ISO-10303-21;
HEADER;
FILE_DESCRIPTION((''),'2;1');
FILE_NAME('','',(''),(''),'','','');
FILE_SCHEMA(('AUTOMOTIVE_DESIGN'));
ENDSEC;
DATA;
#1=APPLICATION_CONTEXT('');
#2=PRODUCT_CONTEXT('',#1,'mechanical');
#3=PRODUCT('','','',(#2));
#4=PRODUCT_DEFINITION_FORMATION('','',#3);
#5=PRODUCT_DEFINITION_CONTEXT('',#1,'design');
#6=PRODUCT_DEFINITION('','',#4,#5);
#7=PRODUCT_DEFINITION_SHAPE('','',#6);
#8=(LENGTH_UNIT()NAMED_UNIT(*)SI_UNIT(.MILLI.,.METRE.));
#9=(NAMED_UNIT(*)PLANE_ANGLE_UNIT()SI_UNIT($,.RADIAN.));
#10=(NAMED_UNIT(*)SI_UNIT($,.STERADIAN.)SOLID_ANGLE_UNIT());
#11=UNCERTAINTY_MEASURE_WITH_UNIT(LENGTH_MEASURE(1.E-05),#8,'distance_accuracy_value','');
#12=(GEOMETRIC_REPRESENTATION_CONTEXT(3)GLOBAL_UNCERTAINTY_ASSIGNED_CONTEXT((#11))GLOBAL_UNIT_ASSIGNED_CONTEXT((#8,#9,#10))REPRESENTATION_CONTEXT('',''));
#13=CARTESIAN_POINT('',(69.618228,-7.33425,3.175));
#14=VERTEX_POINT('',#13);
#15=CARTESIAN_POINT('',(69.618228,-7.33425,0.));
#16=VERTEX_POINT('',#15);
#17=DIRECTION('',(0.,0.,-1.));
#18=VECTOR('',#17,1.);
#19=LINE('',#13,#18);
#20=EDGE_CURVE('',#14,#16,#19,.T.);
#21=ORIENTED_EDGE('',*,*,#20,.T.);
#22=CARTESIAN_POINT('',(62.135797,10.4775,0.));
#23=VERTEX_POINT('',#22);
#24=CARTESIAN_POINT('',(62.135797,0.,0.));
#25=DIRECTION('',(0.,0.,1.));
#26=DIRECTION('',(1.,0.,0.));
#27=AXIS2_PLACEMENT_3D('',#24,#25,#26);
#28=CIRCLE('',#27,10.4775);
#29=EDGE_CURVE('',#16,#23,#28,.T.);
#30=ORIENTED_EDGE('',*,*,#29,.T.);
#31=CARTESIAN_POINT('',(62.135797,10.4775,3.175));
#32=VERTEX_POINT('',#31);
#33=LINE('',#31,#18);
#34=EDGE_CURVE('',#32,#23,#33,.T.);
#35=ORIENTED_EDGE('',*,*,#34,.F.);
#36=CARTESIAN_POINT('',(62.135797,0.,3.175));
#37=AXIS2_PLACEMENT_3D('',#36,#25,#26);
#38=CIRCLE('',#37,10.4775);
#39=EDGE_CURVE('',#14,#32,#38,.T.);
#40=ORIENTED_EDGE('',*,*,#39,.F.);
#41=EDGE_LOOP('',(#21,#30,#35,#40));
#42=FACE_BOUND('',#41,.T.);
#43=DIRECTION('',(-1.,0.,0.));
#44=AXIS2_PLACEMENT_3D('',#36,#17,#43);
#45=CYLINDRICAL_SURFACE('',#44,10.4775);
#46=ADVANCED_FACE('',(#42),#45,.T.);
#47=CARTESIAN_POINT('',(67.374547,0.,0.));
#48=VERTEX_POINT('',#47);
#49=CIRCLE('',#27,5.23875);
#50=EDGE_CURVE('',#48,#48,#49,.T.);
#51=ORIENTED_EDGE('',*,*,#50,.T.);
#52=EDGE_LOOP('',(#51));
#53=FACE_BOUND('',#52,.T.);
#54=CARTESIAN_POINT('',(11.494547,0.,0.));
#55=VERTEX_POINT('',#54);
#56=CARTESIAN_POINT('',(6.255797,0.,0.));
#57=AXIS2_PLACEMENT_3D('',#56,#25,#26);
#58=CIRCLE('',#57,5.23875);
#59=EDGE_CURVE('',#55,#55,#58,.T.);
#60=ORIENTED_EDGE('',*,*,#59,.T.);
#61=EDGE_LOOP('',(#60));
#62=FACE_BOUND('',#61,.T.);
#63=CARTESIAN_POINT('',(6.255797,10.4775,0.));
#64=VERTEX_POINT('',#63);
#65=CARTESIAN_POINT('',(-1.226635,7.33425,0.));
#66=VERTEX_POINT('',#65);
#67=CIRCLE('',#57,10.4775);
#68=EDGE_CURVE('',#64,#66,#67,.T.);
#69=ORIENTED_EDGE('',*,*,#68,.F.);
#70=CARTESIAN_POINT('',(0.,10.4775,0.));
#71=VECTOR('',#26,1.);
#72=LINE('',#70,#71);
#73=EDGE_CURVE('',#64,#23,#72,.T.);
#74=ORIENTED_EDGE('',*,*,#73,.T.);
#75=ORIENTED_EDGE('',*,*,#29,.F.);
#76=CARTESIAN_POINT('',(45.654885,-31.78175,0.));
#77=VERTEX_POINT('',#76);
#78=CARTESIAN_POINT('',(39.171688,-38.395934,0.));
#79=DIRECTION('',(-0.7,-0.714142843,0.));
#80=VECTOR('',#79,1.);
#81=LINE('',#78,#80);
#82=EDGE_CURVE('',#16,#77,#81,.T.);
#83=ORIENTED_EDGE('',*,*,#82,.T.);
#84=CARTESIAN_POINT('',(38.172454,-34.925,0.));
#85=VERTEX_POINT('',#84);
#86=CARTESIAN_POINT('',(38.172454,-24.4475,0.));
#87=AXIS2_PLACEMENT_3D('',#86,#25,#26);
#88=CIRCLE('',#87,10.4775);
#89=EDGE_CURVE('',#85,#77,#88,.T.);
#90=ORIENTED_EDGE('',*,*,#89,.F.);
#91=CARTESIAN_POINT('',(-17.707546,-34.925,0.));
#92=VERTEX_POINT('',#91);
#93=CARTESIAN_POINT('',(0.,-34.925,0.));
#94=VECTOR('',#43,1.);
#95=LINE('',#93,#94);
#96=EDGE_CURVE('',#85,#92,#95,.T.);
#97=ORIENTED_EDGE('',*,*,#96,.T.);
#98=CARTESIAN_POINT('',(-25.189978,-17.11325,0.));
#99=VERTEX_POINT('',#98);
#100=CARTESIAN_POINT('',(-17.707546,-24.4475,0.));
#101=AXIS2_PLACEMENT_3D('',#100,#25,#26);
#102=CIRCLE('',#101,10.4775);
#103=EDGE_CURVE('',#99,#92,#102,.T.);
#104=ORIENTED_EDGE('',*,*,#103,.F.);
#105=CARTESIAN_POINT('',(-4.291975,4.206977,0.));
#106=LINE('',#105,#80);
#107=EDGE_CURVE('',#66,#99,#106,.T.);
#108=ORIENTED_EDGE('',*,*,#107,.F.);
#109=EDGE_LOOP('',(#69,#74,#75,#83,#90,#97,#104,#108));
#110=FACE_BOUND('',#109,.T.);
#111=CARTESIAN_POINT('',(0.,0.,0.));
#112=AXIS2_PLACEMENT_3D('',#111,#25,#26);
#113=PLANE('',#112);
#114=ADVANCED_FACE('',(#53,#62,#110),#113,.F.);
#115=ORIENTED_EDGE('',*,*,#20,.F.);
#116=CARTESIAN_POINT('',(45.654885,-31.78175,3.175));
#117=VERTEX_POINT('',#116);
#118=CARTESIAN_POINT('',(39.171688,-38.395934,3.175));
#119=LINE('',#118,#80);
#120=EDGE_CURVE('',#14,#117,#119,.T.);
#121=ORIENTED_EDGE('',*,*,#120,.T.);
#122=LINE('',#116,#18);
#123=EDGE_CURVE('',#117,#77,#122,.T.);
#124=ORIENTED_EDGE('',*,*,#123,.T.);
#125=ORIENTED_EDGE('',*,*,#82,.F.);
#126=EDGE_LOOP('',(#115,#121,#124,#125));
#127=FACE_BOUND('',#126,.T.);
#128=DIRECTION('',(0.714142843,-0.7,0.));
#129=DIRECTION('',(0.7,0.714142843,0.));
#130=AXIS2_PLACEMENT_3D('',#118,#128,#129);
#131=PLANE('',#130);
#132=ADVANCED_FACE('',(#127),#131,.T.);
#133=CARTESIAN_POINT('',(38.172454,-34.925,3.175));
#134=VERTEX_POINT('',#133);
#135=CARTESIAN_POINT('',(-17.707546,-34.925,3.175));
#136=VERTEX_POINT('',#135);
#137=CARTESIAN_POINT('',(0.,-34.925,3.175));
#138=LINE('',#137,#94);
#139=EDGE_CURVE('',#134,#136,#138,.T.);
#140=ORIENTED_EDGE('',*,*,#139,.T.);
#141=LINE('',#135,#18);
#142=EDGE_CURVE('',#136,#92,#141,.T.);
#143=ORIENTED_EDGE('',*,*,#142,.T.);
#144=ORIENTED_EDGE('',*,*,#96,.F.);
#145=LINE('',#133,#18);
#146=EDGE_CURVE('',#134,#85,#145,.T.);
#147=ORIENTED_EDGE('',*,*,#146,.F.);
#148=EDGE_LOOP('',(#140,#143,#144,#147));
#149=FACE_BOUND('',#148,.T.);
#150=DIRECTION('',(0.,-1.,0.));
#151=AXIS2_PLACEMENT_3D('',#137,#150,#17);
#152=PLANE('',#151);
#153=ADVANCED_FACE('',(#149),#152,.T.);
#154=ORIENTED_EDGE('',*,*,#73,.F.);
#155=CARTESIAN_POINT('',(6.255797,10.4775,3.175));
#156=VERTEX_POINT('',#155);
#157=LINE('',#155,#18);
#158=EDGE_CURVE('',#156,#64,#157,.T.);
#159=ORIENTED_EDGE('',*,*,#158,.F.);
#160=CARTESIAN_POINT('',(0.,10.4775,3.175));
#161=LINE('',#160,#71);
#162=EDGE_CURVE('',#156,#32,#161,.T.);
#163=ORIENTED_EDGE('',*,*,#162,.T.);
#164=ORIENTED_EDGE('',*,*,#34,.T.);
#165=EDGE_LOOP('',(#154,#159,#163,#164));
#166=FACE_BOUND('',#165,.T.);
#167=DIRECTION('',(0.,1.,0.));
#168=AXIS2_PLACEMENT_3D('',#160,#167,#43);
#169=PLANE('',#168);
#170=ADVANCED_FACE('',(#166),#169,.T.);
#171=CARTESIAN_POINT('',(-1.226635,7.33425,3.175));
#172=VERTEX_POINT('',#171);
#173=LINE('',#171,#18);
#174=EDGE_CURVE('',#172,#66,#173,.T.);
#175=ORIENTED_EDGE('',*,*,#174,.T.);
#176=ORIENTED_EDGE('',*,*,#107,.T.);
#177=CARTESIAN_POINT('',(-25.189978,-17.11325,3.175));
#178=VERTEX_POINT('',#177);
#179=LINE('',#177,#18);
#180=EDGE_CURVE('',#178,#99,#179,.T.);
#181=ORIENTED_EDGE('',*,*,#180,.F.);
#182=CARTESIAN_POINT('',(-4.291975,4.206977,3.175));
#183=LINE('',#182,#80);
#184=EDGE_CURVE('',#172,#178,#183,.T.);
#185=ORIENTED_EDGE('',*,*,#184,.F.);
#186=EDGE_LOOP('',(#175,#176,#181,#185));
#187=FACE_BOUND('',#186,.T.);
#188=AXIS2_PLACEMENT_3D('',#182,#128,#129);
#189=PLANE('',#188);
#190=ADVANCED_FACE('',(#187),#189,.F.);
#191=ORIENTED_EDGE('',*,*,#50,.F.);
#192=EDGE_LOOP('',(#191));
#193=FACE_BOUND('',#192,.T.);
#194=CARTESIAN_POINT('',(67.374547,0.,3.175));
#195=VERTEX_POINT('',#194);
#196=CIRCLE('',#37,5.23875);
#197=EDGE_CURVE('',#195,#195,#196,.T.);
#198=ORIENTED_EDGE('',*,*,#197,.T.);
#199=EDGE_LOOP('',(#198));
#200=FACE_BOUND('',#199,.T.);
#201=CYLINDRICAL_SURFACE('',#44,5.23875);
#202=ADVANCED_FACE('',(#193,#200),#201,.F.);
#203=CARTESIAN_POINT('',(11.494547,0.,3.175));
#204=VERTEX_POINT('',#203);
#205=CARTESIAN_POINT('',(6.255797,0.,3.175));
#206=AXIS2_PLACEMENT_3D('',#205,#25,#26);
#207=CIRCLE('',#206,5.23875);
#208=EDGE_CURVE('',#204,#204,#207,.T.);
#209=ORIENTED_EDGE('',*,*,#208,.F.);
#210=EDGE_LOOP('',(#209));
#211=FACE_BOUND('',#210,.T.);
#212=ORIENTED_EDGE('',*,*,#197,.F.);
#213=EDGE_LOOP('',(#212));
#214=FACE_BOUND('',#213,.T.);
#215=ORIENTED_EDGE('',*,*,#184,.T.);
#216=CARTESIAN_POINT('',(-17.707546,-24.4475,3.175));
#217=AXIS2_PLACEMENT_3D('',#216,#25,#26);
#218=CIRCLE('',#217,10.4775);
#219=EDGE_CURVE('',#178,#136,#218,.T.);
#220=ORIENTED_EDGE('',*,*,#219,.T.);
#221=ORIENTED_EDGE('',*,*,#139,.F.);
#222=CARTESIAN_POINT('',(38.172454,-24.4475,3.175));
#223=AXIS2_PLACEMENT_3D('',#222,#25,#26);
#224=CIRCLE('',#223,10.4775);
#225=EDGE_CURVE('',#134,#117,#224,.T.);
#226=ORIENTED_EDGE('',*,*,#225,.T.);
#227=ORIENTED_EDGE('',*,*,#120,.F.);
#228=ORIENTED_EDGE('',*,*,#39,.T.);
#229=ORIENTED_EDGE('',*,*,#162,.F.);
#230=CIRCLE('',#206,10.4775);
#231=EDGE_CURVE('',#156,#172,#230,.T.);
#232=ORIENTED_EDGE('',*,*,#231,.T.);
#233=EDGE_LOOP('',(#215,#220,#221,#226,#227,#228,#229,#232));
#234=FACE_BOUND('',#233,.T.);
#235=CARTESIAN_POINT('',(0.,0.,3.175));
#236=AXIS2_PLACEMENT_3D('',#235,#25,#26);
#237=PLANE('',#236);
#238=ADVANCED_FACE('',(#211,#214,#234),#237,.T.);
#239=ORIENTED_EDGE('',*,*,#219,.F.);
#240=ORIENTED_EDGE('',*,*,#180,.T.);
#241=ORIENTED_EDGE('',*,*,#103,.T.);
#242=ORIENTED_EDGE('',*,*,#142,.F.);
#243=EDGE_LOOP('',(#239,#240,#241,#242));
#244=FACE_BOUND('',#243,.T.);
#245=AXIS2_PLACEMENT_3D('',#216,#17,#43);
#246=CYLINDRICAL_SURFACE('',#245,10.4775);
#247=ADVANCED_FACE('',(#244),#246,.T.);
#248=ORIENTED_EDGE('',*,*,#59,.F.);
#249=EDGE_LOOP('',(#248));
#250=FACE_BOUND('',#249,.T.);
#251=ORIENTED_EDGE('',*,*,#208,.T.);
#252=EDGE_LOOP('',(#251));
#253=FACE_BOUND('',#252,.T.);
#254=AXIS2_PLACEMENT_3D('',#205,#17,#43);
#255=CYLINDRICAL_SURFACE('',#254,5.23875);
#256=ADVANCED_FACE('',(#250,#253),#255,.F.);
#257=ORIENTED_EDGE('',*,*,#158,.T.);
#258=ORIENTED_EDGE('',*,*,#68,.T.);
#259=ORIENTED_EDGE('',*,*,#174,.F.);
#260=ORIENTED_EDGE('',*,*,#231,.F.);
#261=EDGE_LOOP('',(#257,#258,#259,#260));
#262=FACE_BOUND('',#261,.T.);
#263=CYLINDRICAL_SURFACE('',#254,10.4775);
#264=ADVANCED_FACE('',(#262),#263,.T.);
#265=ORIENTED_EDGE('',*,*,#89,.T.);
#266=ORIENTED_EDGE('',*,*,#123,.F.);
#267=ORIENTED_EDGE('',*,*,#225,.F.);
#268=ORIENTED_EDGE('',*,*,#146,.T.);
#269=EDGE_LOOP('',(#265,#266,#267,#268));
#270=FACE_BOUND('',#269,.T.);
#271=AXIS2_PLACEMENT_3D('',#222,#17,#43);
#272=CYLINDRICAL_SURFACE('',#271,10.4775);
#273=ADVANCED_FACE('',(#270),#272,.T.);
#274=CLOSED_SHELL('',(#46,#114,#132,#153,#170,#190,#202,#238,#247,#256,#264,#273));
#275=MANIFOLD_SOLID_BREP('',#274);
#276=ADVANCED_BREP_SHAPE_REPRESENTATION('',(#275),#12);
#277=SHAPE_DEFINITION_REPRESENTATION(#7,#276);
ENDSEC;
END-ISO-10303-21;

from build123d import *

# Parameters (mm, degrees)
SKETCH1_R           = 5.23875
BOSS_EXTRUDE1_DEPTH = 3.175


with BuildPart() as part:
    # Sketch1 → Boss-Extrude1 (new body)
    with BuildSketch(Plane.XY):
        with BuildLine():
            ThreePointArc((69.618228339, -7.33425), (71.795574408, 4.057918301), (62.135796703, 10.4775))
            Line((62.135796703, 10.4775), (6.255796703, 10.4775))
            ThreePointArc((6.255796703, 10.4775), (2.197878402, 9.659777705), (-1.226634933, 7.33425))
            Line((-1.226634933, 7.33425), (-25.189978081, -17.11325))
            ThreePointArc((-25.189978081, -17.11325), (-27.36732415, -28.505418301), (-17.707546445, -34.925))
            Line((-17.707546445, -34.925), (38.172453555, -34.925))
            ThreePointArc((38.172453555, -34.925), (42.230371798, -34.107277729), (45.654885103, -31.78175009))
            Line((45.654885103, -31.78175009), (69.618228339, -7.33425))
        make_face()
        with Locations((6.255796703, 0)):
            Circle(SKETCH1_R, mode=Mode.SUBTRACT)
        with Locations((62.135796703, 0)):
            Circle(SKETCH1_R, mode=Mode.SUBTRACT)
    extrude(amount=BOSS_EXTRUDE1_DEPTH)


solid = part.part
